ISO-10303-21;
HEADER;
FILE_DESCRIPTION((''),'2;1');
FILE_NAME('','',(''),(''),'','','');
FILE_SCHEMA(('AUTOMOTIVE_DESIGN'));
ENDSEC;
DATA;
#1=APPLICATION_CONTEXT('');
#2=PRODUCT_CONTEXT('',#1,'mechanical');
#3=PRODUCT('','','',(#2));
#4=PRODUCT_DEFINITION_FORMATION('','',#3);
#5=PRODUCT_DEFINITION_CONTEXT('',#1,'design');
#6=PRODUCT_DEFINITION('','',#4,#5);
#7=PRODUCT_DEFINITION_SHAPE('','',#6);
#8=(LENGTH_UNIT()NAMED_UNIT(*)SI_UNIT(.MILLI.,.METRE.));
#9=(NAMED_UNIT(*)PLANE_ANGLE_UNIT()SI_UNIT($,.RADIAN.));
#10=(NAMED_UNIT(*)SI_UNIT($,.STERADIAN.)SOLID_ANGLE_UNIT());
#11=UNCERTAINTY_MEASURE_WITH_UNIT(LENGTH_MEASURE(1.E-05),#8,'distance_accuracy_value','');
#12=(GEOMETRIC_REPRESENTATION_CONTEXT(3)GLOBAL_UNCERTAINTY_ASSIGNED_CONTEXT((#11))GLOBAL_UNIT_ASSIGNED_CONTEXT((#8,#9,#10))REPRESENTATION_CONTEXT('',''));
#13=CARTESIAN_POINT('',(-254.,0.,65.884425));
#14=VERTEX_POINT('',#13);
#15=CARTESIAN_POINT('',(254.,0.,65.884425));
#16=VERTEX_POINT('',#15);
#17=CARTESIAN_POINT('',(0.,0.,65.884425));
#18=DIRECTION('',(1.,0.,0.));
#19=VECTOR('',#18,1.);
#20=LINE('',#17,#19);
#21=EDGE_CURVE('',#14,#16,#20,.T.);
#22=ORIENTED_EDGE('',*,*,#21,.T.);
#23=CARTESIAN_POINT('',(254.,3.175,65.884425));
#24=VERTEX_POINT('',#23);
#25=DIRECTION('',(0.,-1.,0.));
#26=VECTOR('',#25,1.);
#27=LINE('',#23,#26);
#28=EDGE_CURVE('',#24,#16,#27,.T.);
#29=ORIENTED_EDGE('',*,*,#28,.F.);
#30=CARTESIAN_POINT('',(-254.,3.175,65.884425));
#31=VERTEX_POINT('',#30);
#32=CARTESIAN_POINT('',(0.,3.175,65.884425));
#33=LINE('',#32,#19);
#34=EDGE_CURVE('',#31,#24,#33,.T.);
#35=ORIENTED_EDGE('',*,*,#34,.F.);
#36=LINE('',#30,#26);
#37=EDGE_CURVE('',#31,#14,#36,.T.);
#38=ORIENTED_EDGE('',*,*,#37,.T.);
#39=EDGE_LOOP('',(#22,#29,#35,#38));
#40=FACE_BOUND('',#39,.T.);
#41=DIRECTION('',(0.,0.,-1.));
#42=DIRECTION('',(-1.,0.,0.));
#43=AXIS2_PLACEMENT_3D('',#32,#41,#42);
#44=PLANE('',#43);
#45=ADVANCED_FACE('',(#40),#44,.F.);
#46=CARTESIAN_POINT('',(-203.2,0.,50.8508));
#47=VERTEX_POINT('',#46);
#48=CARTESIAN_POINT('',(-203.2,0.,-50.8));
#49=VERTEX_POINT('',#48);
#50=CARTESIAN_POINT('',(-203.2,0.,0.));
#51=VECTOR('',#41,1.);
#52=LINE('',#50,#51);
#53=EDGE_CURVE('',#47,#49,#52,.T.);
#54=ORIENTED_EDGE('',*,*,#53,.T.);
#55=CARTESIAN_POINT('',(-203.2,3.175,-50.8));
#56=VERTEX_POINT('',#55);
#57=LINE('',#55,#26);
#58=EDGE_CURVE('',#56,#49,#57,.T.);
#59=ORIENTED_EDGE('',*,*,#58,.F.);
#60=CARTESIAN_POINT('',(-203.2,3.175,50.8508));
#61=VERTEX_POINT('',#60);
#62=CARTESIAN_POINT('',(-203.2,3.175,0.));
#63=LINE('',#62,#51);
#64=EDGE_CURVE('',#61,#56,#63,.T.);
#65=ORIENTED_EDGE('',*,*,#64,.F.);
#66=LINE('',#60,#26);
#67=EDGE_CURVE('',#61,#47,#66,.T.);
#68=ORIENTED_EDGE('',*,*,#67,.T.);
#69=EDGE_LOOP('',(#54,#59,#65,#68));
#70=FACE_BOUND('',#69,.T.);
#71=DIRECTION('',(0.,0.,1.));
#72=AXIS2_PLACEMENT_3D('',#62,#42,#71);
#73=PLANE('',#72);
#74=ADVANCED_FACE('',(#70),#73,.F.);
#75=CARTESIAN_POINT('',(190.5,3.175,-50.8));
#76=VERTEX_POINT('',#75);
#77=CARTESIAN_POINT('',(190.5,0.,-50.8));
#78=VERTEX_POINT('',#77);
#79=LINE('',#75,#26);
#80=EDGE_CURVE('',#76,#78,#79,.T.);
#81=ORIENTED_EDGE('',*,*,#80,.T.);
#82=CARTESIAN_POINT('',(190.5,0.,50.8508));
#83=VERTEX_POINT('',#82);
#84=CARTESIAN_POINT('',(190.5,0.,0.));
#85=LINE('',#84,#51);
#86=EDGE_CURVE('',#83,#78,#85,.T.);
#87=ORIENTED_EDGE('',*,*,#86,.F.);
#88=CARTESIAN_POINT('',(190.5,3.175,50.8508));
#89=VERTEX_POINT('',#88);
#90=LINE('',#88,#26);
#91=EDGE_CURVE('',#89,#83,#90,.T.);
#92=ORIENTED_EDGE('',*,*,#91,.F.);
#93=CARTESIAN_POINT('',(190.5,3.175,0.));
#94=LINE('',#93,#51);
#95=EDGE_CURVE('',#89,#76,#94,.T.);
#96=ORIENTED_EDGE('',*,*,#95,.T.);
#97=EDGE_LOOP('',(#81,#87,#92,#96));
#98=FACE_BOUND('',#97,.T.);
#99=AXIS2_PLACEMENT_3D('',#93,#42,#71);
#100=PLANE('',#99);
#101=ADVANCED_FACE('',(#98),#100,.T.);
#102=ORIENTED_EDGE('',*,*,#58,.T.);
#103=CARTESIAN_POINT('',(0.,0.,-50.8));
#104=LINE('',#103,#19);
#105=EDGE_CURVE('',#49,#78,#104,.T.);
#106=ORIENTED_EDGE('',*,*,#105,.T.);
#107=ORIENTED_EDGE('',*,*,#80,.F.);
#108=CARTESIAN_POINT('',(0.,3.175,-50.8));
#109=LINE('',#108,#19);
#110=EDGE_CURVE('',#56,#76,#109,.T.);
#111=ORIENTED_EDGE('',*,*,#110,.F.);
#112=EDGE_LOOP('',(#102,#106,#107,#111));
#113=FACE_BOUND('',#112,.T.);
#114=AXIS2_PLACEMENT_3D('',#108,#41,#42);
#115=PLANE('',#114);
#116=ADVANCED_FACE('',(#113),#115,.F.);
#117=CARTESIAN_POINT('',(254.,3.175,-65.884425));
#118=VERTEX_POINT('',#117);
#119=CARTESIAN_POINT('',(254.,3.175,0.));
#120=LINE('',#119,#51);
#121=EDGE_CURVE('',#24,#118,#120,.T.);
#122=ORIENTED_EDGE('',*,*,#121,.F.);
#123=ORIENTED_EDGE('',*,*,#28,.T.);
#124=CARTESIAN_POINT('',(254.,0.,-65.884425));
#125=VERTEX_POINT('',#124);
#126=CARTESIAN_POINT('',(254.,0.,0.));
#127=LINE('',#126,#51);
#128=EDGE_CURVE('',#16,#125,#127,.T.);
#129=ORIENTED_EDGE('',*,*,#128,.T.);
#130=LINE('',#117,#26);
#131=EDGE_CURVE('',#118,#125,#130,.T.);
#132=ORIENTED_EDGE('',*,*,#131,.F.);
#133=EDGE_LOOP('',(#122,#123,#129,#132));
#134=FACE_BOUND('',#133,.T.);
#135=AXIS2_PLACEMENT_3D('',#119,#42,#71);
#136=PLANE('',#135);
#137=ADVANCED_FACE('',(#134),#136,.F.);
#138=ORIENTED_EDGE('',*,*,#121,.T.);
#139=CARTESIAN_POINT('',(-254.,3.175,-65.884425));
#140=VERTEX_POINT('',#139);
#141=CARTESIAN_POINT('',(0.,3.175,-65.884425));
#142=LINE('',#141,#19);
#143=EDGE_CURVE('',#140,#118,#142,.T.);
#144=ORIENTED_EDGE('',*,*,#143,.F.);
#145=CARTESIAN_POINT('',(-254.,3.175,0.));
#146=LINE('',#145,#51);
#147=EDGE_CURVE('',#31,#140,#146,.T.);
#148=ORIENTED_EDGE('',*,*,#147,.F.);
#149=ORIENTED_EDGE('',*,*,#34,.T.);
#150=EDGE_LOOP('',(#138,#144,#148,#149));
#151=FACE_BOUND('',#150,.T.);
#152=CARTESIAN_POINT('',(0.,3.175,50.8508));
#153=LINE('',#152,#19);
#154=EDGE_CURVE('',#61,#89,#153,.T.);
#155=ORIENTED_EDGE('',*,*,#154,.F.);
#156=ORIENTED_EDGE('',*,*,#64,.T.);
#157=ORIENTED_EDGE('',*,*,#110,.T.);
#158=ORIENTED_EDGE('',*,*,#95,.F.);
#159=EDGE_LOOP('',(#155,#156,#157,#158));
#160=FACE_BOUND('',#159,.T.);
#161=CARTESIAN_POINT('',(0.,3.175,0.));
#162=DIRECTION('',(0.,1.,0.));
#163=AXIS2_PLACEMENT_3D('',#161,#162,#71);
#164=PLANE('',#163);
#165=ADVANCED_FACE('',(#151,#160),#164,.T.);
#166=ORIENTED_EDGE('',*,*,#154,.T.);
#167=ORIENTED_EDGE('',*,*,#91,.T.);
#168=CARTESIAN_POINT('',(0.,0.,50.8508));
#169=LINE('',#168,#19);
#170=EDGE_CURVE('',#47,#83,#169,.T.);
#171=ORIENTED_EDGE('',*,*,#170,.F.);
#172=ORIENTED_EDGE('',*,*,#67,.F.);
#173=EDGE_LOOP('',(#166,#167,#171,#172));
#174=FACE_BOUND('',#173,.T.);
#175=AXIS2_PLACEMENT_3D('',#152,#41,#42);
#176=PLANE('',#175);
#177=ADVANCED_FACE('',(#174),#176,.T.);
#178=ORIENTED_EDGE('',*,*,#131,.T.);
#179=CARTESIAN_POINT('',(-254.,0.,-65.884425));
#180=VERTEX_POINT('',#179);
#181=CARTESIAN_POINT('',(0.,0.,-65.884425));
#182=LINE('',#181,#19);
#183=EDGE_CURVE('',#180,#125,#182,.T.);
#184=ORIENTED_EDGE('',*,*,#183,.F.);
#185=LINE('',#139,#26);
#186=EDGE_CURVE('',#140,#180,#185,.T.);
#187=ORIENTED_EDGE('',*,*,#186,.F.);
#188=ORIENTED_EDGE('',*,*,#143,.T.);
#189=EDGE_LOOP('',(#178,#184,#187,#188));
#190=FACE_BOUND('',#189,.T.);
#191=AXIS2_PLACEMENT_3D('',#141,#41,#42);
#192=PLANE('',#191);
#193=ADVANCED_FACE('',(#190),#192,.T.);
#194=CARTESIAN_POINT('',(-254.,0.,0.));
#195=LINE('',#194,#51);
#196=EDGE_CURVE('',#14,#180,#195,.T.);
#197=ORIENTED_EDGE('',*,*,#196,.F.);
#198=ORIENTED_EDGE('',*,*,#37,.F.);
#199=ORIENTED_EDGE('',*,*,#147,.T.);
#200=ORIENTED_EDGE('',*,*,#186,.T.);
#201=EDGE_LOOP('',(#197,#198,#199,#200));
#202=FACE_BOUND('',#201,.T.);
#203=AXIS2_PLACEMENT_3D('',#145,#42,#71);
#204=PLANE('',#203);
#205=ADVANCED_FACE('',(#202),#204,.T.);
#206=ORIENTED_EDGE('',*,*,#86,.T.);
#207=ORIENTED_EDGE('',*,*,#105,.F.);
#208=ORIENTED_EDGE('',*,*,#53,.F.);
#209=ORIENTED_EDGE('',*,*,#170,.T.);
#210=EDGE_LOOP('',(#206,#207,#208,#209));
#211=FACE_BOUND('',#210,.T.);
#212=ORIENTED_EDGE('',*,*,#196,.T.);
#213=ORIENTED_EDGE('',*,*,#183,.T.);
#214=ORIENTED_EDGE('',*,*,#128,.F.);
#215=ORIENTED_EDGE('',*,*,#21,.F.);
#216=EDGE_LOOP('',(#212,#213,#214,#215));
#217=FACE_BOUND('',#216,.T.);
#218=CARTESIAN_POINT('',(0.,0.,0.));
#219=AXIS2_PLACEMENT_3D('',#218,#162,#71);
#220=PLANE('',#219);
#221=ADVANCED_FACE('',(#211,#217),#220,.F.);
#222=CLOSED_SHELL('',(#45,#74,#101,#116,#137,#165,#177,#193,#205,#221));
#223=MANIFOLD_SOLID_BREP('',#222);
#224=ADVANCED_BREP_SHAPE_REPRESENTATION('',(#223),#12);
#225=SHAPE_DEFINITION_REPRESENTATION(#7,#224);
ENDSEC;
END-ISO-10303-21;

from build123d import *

# Parameters (mm, degrees)
SKETCH1_W           = 393.7
SKETCH1_H           = 101.6508
BOSS_EXTRUDE1_DEPTH = 3.175


with BuildPart() as part:
    # Sketch1 → Boss-Extrude1 (new body)
    with BuildSketch(Plane(origin=(0, 0, 0), x_dir=(1, 0, 0), z_dir=(0, 1, 0))):
        Polygon((254, 65.884425), (244.475, 65.884425), (-254, 65.884425), (-254, -65.884425), (244.475, -65.884425), (254, -65.884425), align=None)
        with Locations((-6.35, -0.0254)):
            Rectangle(SKETCH1_W, SKETCH1_H, mode=Mode.SUBTRACT)
    extrude(amount=BOSS_EXTRUDE1_DEPTH)


solid = part.part
